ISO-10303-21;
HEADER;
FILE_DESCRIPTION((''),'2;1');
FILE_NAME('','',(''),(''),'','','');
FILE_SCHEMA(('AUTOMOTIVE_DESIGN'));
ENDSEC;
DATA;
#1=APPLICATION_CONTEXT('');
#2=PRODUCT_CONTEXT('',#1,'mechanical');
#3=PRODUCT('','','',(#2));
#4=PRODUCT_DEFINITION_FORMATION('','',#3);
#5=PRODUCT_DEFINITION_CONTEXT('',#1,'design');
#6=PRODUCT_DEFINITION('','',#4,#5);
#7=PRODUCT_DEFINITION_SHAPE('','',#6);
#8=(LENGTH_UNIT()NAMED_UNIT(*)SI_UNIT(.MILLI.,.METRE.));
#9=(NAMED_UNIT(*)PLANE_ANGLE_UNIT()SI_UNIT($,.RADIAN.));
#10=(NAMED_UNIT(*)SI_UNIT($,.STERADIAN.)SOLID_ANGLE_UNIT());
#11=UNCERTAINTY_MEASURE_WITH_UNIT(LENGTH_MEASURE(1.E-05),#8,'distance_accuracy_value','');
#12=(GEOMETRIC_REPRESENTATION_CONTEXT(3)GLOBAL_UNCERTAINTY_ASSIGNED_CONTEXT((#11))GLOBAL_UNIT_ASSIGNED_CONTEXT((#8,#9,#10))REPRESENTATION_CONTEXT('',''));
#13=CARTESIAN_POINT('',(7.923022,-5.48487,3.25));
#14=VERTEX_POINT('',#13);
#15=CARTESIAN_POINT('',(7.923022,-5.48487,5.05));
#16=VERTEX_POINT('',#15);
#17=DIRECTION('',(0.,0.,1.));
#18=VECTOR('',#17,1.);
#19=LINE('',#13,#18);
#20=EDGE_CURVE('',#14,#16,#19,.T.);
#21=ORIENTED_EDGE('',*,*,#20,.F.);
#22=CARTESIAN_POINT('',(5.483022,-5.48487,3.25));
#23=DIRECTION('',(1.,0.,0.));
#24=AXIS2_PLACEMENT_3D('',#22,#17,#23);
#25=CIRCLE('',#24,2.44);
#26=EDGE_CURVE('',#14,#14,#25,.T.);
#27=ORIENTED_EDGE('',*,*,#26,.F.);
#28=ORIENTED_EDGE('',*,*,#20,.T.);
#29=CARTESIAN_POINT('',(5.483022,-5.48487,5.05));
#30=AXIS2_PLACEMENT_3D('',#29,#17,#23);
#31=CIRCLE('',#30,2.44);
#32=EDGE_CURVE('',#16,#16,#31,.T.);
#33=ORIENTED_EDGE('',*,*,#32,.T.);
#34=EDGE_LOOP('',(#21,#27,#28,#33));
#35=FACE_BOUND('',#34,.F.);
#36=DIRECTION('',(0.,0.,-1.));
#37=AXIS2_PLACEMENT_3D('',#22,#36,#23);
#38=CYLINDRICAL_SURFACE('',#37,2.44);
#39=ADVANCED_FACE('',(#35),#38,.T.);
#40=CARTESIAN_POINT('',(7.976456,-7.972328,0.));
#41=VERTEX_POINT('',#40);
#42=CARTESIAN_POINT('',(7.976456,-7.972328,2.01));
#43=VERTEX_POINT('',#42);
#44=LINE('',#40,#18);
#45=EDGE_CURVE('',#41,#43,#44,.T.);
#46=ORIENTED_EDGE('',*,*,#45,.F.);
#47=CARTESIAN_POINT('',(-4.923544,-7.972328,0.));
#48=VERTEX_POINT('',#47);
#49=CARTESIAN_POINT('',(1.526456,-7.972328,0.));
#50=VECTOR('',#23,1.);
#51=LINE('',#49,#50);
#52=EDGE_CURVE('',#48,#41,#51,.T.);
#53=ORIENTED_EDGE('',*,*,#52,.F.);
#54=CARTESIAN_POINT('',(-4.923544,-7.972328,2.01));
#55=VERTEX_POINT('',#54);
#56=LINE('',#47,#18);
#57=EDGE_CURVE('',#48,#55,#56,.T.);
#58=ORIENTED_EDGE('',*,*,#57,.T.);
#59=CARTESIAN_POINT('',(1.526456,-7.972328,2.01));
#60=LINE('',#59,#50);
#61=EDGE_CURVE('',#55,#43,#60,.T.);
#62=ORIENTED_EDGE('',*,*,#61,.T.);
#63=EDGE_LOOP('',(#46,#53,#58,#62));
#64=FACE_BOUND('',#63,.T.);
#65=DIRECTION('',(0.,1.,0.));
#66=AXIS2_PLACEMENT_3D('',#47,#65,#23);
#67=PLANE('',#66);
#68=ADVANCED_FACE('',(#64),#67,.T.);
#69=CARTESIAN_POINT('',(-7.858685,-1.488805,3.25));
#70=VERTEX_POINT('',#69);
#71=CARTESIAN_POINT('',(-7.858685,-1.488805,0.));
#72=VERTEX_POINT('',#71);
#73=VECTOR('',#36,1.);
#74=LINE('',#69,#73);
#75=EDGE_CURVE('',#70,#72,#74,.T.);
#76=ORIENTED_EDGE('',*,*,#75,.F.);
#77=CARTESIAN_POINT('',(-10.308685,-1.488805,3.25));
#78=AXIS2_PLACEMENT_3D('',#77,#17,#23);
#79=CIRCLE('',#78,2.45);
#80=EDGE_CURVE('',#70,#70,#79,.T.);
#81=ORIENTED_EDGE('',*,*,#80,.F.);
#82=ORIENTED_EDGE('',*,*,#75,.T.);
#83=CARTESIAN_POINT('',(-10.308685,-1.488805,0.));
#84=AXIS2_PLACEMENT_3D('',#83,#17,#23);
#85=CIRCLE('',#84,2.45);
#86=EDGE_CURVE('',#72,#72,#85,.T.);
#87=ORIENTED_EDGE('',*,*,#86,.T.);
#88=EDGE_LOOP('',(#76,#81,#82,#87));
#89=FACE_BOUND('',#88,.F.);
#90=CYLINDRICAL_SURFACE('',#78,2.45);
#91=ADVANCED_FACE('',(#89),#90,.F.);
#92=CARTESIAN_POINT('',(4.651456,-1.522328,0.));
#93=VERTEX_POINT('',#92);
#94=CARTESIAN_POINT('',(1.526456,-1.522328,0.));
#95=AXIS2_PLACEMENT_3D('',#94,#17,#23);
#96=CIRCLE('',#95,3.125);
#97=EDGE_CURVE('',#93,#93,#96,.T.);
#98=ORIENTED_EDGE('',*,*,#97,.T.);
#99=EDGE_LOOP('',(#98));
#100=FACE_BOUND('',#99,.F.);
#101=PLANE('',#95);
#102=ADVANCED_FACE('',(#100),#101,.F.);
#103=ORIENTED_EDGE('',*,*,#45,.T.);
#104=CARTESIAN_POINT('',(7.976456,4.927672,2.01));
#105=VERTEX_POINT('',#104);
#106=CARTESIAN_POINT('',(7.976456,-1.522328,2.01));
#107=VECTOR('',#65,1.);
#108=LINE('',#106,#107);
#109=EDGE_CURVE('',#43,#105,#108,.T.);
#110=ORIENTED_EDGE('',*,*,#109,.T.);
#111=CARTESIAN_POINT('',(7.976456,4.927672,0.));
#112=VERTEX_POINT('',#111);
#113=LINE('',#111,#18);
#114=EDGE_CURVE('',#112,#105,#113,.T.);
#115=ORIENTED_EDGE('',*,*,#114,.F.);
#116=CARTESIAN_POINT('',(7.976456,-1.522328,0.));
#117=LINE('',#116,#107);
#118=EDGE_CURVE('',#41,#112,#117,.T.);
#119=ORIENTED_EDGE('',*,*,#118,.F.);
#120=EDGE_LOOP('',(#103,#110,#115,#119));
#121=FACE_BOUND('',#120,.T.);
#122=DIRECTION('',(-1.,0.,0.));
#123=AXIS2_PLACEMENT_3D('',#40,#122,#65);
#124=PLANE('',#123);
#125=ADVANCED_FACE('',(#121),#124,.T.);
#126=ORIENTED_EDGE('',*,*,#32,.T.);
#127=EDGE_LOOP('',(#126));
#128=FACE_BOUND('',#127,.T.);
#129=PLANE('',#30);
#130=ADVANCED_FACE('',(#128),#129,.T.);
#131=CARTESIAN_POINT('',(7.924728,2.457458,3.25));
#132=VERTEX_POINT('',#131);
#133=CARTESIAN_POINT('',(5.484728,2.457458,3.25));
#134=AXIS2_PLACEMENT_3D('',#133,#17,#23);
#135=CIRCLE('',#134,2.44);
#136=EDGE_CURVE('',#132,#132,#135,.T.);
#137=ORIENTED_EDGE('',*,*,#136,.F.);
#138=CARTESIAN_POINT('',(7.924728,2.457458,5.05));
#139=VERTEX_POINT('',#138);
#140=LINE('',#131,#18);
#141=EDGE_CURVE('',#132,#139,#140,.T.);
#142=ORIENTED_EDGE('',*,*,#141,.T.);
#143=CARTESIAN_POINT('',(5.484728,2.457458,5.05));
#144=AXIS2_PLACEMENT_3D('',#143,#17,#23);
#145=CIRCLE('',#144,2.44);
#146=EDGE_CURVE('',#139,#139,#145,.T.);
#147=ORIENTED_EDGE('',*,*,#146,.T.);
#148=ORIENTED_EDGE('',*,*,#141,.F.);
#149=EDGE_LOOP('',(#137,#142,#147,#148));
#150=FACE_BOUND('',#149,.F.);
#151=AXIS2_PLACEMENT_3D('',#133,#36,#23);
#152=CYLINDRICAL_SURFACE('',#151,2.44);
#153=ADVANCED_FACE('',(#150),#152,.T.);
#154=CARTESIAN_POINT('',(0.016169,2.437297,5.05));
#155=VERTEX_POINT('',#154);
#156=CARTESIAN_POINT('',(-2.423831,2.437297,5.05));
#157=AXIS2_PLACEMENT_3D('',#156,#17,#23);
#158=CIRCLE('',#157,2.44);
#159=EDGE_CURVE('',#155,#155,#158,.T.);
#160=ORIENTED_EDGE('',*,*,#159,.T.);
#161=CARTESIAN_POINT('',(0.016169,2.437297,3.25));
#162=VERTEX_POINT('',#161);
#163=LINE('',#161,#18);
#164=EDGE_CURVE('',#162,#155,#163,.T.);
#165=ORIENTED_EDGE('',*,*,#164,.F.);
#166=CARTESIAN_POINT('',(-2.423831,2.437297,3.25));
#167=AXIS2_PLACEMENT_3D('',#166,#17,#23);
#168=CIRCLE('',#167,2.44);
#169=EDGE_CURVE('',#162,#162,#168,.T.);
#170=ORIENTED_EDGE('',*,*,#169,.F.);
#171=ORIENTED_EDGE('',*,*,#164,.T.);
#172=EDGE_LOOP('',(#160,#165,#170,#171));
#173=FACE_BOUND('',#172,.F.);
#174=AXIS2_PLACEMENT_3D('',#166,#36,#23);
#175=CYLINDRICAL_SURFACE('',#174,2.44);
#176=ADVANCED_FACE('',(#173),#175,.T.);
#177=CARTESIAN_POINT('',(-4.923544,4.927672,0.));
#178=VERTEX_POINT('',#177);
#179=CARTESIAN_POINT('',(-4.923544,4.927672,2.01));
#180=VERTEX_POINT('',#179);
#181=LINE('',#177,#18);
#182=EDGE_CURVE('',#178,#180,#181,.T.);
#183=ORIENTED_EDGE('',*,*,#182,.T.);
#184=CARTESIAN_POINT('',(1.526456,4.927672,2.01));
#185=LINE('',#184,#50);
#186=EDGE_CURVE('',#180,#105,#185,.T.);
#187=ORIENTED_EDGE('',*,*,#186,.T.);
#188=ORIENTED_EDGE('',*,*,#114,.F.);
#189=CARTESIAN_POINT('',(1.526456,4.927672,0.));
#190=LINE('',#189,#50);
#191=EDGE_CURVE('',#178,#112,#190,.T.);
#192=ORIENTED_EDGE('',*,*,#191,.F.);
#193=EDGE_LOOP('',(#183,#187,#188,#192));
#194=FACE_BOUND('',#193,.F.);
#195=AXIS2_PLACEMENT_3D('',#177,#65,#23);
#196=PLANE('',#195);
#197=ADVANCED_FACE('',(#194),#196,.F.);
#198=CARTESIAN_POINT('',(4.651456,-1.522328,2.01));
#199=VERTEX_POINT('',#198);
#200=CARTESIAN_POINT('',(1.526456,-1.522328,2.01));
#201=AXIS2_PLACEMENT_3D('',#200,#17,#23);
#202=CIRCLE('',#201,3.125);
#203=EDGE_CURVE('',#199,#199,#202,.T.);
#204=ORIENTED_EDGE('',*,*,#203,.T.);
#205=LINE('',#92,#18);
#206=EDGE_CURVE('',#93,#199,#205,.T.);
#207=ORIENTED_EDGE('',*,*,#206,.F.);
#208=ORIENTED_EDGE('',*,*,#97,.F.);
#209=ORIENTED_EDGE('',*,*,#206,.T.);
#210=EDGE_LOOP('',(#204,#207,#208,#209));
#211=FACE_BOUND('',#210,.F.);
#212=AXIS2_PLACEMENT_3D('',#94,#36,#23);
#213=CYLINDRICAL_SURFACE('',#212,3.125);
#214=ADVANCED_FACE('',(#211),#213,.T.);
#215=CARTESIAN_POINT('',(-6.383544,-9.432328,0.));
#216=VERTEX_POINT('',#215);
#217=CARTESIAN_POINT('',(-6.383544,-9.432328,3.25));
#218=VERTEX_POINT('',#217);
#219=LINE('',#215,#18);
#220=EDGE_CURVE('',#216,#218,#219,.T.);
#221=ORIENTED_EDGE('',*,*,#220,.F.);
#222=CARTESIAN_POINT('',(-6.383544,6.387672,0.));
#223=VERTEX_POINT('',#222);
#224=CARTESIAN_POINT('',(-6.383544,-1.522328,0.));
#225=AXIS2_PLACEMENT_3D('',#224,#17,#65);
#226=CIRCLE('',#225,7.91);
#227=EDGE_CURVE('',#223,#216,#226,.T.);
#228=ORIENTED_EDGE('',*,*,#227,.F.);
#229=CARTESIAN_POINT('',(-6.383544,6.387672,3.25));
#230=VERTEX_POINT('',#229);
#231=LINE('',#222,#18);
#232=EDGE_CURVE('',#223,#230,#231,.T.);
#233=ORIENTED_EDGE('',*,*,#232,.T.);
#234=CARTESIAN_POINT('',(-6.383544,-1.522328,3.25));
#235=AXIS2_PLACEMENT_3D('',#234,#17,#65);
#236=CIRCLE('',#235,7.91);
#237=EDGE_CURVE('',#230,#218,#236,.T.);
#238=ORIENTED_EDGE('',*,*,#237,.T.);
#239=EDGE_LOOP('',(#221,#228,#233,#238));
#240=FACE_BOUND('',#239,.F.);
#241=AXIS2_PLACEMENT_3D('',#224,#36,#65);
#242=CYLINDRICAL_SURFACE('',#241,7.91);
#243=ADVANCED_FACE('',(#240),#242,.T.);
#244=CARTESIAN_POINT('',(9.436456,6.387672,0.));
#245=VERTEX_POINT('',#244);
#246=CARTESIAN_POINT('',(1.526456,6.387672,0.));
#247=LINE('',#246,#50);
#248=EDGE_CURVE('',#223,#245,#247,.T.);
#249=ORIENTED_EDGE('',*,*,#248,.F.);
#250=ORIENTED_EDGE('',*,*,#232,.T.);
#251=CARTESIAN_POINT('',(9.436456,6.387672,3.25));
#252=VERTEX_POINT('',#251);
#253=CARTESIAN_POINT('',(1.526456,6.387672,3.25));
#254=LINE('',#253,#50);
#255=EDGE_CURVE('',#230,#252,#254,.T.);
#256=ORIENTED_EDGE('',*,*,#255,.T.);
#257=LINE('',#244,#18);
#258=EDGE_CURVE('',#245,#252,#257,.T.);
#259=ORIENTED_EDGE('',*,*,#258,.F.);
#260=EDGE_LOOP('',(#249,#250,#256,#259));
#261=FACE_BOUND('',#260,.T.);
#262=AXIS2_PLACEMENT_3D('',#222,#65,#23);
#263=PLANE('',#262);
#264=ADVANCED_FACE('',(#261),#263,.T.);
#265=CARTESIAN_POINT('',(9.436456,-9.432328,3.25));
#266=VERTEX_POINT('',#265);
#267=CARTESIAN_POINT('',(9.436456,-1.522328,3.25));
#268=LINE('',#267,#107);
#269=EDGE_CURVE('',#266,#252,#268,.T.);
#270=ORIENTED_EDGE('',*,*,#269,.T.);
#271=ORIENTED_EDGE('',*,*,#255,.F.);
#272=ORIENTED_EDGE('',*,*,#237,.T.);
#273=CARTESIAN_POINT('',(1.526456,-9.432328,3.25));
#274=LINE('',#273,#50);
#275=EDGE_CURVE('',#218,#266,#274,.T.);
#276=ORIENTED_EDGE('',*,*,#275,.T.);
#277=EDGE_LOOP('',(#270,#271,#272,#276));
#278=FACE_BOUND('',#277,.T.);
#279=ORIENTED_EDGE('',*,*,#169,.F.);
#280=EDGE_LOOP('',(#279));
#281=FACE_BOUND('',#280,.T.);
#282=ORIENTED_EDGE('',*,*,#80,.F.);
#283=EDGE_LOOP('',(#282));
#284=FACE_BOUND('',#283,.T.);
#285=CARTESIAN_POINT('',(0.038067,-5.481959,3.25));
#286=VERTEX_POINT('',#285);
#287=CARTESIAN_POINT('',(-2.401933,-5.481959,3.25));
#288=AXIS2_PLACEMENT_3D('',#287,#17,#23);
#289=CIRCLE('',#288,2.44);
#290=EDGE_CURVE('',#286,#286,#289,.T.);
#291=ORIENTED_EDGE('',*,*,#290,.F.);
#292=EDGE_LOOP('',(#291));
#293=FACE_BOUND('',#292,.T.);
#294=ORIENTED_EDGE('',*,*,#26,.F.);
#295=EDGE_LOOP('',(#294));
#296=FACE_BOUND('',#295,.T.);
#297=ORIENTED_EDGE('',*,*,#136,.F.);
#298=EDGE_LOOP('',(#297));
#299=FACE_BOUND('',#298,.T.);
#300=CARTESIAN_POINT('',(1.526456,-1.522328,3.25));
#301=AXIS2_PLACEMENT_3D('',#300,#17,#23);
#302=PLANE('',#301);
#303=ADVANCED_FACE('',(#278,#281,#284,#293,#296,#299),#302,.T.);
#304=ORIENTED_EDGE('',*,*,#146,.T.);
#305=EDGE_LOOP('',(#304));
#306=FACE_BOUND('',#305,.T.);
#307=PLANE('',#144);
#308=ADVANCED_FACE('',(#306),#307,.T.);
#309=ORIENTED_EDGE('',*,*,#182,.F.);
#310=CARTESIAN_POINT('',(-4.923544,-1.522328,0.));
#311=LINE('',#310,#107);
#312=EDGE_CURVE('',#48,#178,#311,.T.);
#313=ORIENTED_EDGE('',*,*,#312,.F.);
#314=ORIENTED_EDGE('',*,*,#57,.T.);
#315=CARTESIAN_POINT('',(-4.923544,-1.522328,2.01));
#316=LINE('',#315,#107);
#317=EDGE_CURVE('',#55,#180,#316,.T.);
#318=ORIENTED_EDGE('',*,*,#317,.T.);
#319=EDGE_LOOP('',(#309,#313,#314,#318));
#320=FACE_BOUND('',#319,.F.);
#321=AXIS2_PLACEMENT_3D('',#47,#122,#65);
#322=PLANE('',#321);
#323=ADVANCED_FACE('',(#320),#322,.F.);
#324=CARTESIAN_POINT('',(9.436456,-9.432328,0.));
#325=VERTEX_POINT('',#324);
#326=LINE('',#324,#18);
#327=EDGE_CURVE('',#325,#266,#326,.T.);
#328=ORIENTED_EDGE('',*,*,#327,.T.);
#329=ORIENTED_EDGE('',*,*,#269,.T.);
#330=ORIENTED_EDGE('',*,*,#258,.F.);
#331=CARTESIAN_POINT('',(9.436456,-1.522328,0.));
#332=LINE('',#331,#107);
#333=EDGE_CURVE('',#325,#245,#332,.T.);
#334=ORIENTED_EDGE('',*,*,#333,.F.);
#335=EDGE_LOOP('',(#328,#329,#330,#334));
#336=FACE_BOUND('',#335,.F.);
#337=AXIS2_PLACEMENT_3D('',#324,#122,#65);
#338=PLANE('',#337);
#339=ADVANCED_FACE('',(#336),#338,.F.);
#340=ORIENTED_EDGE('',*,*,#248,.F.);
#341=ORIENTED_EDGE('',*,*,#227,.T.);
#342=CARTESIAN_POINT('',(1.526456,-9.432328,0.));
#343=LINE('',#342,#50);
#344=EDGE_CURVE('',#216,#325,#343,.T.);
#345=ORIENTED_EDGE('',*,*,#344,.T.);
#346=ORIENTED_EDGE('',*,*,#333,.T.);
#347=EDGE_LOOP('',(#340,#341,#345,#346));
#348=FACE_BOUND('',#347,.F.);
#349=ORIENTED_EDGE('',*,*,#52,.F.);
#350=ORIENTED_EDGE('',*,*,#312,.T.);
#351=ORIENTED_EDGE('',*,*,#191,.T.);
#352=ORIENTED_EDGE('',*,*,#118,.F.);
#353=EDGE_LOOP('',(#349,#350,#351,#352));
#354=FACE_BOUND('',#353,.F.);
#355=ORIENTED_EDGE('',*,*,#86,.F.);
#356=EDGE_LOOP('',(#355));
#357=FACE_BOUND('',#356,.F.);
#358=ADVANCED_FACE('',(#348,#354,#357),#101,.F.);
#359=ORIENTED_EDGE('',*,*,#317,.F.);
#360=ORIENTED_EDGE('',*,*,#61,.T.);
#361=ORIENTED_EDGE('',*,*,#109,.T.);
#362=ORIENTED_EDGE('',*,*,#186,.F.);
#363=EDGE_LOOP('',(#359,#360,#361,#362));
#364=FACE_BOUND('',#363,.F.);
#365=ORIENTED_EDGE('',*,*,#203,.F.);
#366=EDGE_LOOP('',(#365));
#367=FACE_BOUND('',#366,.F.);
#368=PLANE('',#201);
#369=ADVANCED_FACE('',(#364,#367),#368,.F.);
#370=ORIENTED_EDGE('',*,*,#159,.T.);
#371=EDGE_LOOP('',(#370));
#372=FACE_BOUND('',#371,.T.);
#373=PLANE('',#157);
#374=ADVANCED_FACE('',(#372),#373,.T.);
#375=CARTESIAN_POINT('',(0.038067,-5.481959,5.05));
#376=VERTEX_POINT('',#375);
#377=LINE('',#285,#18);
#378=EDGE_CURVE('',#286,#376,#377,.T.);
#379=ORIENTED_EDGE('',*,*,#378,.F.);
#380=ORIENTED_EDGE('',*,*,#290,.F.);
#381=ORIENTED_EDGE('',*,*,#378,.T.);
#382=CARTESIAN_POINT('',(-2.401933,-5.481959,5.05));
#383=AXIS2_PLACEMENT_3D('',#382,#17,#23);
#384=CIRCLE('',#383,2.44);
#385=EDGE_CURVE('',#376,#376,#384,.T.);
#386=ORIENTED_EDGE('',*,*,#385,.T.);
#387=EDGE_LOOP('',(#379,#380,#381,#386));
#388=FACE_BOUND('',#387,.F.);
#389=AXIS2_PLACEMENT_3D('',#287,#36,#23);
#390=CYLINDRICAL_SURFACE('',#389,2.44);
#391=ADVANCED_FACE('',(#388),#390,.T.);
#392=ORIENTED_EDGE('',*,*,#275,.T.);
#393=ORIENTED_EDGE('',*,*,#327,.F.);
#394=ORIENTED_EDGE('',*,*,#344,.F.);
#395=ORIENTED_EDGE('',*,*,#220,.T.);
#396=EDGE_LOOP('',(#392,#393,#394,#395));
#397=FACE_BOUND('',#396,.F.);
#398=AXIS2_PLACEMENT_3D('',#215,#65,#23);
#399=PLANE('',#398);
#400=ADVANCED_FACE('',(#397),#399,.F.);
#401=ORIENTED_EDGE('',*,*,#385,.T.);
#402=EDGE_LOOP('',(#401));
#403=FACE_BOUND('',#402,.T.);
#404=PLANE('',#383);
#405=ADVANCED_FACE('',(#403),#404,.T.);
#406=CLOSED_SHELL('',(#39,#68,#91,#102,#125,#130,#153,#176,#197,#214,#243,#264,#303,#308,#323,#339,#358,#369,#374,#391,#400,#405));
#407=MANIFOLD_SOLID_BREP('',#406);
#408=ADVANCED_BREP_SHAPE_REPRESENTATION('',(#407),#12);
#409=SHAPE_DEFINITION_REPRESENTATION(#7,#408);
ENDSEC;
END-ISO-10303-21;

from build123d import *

# Parameters (mm, degrees)
F0_W     = 15.82
F0_H     = 15.82
F1_DEPTH = 3.25
F2_R     = 2.44
F3_DEPTH = 1.8
F4_W     = 12.9
F4_H     = 12.9
F4_R     = 3.125
F5_DEPTH = 2.01
F6_R     = 2.45
F7_DEPTH = 25


with BuildPart() as f1:
    # F0 (on Top) → F1 (new body)
    with BuildSketch(Plane.XY):
        with Locations((1.526456, -1.522328)):
            Rectangle(F0_W, F0_H)
        with BuildLine():
            ThreePointArc((-6.383544, 6.387672), (-14.293544, -1.522328), (-6.383544, -9.432328))
            Line((-6.383544, -9.432328), (-6.383544, 6.387672))
        make_face()
    extrude(amount=F1_DEPTH)

    # F2 (on face) → F3 (join)
    with BuildSketch(Plane.XY.offset(3.25)):
        with Locations((-2.423831, 2.437297)):
            Circle(F2_R)
        with Locations((5.484728, 2.457458)):
            Circle(F2_R)
        with Locations((5.483022, -5.48487)):
            Circle(F2_R)
        with Locations((-2.401933, -5.481959)):
            Circle(F2_R)
    extrude(amount=F3_DEPTH)

    # F4 (on face) → F5 (cut)
    with BuildSketch(Plane.XY):
        with Locations((1.526456, -1.522328)):
            Rectangle(F4_W, F4_H)
        with Locations((1.526456, -1.522328)):
            Circle(F4_R, mode=Mode.SUBTRACT)
    extrude(amount=F5_DEPTH, mode=Mode.SUBTRACT)

    # F6 (on face) → F7 (cut)
    with BuildSketch(Plane.XY.offset(3.25)):
        with Locations((-10.308685, -1.488805)):
            Circle(F6_R)
    extrude(amount=-F7_DEPTH, mode=Mode.SUBTRACT)


solid = f1.part
